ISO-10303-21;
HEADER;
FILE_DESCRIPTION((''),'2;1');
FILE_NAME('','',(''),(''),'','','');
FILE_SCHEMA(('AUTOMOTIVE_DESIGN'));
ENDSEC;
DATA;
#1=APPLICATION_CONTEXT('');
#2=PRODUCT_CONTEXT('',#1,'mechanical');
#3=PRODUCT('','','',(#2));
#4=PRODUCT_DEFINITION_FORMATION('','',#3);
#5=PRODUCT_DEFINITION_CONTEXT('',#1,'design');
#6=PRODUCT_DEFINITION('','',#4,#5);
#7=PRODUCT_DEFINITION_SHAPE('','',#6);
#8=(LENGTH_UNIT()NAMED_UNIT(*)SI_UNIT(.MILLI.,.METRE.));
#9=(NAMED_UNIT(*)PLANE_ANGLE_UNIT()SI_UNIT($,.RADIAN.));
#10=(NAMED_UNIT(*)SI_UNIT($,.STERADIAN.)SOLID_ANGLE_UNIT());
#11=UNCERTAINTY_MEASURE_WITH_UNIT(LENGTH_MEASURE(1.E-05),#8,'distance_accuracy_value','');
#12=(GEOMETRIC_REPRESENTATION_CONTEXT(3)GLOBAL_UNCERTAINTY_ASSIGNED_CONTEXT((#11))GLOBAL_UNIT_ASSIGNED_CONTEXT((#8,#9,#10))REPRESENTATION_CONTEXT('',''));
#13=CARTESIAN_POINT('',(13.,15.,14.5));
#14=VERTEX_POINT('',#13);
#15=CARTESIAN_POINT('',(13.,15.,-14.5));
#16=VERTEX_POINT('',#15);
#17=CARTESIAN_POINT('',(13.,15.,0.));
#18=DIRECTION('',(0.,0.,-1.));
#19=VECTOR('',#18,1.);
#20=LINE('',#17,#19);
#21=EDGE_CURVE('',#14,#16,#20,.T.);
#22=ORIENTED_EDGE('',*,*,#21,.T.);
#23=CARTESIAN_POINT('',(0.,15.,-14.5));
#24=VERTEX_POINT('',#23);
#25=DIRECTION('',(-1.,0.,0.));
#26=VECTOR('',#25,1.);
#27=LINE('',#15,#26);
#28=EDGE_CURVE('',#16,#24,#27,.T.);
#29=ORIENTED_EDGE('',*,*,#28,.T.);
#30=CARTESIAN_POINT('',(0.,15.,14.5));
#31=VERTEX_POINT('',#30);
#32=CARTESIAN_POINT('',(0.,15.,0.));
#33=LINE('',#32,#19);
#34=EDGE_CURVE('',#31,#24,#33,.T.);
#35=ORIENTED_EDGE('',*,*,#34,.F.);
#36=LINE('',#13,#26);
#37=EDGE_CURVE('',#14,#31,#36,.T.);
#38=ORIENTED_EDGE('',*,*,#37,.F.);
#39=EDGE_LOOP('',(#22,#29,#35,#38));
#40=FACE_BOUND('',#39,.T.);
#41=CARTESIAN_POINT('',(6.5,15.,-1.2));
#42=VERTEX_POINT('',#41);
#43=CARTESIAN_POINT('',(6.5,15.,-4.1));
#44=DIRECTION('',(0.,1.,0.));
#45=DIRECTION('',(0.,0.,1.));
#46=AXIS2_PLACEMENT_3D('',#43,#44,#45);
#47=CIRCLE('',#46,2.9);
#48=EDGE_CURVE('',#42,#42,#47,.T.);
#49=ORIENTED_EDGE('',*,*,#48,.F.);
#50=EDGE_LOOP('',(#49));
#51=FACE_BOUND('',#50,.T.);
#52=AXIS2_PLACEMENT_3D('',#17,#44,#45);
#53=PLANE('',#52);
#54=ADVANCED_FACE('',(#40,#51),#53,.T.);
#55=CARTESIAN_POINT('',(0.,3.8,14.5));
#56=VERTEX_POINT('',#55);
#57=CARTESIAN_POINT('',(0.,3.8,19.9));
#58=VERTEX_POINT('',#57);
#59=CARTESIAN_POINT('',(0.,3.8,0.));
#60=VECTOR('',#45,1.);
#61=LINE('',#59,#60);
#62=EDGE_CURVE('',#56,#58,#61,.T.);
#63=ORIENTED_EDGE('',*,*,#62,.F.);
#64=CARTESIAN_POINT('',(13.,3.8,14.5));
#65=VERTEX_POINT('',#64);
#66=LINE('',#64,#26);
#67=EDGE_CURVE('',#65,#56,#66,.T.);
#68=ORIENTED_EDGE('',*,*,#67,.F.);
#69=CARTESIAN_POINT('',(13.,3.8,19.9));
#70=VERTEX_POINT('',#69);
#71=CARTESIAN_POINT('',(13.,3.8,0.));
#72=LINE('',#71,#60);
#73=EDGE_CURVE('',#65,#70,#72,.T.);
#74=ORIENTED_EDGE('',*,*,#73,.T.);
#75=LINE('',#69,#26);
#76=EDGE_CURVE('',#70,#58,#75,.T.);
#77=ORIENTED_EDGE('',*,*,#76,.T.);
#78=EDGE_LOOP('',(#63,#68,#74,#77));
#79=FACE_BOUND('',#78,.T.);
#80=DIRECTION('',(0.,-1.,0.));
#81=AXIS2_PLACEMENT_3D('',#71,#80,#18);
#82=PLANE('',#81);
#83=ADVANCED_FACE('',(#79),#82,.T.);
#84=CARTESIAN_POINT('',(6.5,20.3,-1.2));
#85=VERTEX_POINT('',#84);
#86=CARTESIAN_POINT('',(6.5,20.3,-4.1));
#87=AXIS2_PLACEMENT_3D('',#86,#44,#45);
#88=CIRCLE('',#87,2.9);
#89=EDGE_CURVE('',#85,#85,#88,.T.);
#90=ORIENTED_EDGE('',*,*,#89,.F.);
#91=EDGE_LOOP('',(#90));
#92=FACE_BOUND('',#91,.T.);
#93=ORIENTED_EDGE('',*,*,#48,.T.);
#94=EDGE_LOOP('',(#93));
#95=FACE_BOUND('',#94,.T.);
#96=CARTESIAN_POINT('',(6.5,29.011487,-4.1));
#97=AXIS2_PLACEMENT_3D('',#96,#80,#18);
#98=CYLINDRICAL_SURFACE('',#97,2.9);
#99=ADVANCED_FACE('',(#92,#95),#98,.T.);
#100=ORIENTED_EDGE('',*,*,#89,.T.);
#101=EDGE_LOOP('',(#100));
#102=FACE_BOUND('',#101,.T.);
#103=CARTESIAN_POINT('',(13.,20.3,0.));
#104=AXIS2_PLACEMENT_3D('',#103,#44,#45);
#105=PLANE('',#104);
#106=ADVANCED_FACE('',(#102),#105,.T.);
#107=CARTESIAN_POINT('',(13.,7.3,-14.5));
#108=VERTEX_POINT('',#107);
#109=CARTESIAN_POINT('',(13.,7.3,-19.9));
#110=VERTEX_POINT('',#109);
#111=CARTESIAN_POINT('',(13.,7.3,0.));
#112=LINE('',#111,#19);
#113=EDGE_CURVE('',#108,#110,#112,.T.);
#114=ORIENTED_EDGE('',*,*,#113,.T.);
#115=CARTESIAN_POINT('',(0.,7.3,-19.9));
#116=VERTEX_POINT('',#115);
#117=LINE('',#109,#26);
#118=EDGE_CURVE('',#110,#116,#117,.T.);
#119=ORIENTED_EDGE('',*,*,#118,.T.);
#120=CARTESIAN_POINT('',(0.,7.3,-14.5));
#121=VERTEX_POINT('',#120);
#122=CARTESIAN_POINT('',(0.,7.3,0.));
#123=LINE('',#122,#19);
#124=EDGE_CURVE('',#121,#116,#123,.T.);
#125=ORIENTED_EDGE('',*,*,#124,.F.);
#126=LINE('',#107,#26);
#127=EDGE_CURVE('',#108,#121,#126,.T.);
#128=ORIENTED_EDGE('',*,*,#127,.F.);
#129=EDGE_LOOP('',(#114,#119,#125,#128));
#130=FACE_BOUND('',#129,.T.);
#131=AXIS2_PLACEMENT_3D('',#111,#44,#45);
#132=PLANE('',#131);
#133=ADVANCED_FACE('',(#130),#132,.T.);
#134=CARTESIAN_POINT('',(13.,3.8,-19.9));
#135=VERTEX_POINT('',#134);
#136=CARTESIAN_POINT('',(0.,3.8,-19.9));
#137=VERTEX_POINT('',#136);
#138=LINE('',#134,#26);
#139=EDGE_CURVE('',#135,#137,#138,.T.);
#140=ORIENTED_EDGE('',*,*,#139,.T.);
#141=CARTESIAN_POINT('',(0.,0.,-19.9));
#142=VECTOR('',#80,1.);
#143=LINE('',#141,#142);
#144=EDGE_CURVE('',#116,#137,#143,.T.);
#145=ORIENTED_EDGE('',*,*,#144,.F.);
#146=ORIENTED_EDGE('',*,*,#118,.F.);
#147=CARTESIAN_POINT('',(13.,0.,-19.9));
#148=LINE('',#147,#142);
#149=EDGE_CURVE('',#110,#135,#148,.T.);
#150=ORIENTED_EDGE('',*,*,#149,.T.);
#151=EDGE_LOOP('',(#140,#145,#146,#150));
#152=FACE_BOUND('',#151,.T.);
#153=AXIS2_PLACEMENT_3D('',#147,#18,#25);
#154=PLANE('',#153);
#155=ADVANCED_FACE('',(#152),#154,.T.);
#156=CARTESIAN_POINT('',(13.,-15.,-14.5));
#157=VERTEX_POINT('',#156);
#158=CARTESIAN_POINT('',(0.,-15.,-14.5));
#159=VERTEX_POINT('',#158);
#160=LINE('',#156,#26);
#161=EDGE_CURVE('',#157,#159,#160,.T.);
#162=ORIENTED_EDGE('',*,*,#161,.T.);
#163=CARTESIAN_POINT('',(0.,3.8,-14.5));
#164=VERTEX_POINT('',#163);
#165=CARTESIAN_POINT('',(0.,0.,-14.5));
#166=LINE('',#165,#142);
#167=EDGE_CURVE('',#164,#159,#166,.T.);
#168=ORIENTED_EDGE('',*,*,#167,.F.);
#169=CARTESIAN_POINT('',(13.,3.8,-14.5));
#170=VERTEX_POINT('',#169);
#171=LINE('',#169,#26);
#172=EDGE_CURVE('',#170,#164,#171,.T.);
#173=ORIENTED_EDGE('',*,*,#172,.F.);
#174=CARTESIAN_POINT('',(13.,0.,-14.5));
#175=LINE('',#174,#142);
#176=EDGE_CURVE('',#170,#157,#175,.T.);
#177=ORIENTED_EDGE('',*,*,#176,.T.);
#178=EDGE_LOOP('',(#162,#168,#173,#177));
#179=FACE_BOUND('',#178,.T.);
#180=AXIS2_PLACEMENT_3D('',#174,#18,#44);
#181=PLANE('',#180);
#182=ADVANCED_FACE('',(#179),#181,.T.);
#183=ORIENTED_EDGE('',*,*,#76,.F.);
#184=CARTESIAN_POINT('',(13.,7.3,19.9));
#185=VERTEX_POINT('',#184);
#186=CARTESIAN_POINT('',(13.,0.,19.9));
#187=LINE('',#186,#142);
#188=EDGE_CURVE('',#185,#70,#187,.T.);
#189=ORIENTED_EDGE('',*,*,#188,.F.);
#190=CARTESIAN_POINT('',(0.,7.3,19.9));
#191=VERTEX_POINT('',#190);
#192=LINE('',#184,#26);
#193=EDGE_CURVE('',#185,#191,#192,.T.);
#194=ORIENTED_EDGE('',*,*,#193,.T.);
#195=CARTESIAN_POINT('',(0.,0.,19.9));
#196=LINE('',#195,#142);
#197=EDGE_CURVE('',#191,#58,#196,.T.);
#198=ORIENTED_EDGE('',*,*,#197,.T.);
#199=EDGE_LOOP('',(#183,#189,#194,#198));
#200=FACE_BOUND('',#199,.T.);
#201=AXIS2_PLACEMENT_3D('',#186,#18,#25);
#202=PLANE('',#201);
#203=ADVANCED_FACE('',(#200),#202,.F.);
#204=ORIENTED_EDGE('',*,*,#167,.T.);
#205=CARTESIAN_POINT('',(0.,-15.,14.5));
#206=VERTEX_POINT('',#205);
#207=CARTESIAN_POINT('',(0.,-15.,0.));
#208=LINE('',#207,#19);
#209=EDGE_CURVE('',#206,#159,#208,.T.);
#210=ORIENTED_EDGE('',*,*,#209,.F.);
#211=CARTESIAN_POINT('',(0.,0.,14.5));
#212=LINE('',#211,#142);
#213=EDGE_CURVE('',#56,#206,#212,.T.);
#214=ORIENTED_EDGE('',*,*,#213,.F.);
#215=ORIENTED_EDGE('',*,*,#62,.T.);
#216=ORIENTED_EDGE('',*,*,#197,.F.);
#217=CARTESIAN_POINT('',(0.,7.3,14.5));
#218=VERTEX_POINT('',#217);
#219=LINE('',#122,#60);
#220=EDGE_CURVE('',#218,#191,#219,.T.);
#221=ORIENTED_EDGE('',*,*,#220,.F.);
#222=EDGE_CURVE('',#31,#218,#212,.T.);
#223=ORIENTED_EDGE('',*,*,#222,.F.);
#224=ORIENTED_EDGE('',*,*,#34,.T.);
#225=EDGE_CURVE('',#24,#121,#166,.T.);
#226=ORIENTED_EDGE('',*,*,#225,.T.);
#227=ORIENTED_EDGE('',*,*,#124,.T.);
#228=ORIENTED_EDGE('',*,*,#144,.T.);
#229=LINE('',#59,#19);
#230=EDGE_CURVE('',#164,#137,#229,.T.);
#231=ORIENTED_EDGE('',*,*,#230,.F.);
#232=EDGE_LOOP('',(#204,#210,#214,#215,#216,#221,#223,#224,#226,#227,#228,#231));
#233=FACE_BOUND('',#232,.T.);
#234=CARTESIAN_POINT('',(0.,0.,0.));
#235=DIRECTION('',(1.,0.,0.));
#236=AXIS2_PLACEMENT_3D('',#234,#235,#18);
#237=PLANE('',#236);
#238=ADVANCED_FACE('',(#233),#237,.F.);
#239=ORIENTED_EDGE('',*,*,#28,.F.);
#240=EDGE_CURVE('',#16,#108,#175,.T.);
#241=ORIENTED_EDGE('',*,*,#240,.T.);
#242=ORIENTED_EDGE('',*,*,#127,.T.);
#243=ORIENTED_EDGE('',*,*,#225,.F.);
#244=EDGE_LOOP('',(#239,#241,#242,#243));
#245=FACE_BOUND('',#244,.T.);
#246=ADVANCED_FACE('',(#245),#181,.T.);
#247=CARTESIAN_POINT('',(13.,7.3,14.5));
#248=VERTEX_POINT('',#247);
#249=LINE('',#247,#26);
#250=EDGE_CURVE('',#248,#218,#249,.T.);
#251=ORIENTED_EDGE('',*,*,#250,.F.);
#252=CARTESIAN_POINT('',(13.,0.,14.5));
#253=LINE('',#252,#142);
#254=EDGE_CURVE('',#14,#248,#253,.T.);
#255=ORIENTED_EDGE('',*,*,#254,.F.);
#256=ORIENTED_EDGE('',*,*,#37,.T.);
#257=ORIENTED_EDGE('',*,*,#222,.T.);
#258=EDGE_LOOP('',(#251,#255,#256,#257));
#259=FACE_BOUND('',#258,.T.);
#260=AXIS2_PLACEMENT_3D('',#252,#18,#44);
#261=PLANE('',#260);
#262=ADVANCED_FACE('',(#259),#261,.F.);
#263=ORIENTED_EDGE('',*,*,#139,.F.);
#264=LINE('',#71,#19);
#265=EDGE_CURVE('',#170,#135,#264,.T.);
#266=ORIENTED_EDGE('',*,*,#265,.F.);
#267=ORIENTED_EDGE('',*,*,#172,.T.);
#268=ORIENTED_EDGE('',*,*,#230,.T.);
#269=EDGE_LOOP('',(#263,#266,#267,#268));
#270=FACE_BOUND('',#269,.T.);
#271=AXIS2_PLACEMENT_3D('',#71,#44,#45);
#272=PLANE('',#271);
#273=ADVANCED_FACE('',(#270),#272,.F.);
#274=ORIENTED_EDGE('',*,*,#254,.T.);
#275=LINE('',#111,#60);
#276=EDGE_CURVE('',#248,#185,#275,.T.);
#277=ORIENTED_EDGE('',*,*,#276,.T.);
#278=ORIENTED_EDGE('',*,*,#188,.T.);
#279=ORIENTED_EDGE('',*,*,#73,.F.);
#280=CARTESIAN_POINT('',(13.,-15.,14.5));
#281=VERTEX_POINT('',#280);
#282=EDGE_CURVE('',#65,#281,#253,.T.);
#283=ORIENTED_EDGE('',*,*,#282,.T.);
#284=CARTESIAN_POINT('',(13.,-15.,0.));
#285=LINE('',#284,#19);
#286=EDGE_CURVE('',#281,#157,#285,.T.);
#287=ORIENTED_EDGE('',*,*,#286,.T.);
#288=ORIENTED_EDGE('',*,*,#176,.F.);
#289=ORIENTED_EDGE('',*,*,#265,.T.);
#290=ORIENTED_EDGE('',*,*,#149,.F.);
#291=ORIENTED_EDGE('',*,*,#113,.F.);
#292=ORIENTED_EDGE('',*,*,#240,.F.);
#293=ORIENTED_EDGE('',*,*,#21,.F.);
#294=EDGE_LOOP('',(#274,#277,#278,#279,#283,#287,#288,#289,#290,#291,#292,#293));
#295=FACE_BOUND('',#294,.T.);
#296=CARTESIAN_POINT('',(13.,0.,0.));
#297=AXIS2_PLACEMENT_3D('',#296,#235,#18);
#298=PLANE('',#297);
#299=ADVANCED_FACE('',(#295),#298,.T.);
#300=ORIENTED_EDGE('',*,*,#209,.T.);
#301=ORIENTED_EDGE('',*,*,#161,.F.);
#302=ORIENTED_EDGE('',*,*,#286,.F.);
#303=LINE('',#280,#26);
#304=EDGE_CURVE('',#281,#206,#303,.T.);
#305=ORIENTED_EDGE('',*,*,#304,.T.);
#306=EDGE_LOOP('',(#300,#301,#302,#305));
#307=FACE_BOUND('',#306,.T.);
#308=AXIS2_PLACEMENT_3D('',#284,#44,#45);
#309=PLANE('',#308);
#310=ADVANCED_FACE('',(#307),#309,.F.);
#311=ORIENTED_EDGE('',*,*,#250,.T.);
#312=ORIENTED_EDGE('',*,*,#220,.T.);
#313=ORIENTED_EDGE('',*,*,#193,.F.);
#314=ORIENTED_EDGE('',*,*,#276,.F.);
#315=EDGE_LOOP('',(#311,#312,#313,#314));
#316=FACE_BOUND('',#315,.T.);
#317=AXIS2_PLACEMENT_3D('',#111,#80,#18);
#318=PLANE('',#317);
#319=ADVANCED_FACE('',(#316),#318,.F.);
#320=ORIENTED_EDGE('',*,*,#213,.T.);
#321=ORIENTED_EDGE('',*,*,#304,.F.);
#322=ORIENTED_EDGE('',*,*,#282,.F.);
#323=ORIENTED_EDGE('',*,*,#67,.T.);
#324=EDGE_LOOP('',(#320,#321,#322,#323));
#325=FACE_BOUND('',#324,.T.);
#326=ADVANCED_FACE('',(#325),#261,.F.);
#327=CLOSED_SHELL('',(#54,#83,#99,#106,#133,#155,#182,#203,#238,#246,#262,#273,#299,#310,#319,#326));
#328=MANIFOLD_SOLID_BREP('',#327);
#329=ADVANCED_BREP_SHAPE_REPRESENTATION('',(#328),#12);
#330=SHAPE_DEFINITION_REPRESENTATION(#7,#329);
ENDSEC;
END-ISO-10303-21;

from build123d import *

# Parameters (mm, degrees)
SKETCH2_W           = 29
SKETCH2_H           = 30
SKETCH2_W_2         = 5.4
SKETCH2_H_2         = 3.5
SKETCH2_W_3         = 5.8
SKETCH2_H_3         = 5.3
BOSS_EXTRUDE1_DEPTH = 13
CUT_EXTRUDE1_DEPTH  = 5.3


with BuildPart() as part:
    # Sketch2 → Boss-Extrude1 (new body)
    with BuildSketch(Plane(origin=(0, 0, 0), x_dir=(0, 0, -1), z_dir=(1, 0, 0))):
        Rectangle(SKETCH2_W, SKETCH2_H)
        with Locations((-17.2, 5.55)):
            Rectangle(SKETCH2_W_2, SKETCH2_H_2)
        with Locations((4.1, 17.65)):
            Rectangle(SKETCH2_W_3, SKETCH2_H_3)
        with Locations((17.2, 5.55)):
            Rectangle(SKETCH2_W_2, SKETCH2_H_2)
    extrude(amount=BOSS_EXTRUDE1_DEPTH)

    # Sketch3 → Cut-Extrude1 (cut)
    with BuildSketch(Plane(origin=(0, 15, 0), x_dir=(1, 0, 0), z_dir=(0, 1, 0))):
        with BuildLine():
            Line((6.5, 1.2), (9.4, 1.2))
            Line((9.4, 1.2), (9.4, 4.1))
            ThreePointArc((9.4, 4.1), (8.550609665, 2.049390335), (6.5, 1.2))
        make_face()
        with BuildLine():
            ThreePointArc((6.5, 7), (8.550609665, 6.150609665), (9.4, 4.1))
            Line((9.4, 4.1), (9.4, 7))
            Line((9.4, 7), (6.5, 7))
        make_face()
        with BuildLine():
            ThreePointArc((3.6, 4.1), (4.449390335, 6.150609665), (6.5, 7))
            Line((6.5, 7), (3.6, 7))
            Line((3.6, 7), (3.6, 4.1))
        make_face()
        with BuildLine():
            Line((3.6, 1.2), (6.5, 1.2))
            ThreePointArc((6.5, 1.2), (4.449390335, 2.049390335), (3.6, 4.1))
            Line((3.6, 4.1), (3.6, 1.2))
        make_face()
        Polygon((0, 1.2), (3.6, 1.2), (3.6, 4.1), (3.6, 7), (0, 7), align=None)
        Polygon((9.4, 1.2), (13, 1.2), (13, 7), (9.4, 7), (9.4, 4.1), align=None)
    extrude(amount=CUT_EXTRUDE1_DEPTH, mode=Mode.SUBTRACT)


solid = part.part
